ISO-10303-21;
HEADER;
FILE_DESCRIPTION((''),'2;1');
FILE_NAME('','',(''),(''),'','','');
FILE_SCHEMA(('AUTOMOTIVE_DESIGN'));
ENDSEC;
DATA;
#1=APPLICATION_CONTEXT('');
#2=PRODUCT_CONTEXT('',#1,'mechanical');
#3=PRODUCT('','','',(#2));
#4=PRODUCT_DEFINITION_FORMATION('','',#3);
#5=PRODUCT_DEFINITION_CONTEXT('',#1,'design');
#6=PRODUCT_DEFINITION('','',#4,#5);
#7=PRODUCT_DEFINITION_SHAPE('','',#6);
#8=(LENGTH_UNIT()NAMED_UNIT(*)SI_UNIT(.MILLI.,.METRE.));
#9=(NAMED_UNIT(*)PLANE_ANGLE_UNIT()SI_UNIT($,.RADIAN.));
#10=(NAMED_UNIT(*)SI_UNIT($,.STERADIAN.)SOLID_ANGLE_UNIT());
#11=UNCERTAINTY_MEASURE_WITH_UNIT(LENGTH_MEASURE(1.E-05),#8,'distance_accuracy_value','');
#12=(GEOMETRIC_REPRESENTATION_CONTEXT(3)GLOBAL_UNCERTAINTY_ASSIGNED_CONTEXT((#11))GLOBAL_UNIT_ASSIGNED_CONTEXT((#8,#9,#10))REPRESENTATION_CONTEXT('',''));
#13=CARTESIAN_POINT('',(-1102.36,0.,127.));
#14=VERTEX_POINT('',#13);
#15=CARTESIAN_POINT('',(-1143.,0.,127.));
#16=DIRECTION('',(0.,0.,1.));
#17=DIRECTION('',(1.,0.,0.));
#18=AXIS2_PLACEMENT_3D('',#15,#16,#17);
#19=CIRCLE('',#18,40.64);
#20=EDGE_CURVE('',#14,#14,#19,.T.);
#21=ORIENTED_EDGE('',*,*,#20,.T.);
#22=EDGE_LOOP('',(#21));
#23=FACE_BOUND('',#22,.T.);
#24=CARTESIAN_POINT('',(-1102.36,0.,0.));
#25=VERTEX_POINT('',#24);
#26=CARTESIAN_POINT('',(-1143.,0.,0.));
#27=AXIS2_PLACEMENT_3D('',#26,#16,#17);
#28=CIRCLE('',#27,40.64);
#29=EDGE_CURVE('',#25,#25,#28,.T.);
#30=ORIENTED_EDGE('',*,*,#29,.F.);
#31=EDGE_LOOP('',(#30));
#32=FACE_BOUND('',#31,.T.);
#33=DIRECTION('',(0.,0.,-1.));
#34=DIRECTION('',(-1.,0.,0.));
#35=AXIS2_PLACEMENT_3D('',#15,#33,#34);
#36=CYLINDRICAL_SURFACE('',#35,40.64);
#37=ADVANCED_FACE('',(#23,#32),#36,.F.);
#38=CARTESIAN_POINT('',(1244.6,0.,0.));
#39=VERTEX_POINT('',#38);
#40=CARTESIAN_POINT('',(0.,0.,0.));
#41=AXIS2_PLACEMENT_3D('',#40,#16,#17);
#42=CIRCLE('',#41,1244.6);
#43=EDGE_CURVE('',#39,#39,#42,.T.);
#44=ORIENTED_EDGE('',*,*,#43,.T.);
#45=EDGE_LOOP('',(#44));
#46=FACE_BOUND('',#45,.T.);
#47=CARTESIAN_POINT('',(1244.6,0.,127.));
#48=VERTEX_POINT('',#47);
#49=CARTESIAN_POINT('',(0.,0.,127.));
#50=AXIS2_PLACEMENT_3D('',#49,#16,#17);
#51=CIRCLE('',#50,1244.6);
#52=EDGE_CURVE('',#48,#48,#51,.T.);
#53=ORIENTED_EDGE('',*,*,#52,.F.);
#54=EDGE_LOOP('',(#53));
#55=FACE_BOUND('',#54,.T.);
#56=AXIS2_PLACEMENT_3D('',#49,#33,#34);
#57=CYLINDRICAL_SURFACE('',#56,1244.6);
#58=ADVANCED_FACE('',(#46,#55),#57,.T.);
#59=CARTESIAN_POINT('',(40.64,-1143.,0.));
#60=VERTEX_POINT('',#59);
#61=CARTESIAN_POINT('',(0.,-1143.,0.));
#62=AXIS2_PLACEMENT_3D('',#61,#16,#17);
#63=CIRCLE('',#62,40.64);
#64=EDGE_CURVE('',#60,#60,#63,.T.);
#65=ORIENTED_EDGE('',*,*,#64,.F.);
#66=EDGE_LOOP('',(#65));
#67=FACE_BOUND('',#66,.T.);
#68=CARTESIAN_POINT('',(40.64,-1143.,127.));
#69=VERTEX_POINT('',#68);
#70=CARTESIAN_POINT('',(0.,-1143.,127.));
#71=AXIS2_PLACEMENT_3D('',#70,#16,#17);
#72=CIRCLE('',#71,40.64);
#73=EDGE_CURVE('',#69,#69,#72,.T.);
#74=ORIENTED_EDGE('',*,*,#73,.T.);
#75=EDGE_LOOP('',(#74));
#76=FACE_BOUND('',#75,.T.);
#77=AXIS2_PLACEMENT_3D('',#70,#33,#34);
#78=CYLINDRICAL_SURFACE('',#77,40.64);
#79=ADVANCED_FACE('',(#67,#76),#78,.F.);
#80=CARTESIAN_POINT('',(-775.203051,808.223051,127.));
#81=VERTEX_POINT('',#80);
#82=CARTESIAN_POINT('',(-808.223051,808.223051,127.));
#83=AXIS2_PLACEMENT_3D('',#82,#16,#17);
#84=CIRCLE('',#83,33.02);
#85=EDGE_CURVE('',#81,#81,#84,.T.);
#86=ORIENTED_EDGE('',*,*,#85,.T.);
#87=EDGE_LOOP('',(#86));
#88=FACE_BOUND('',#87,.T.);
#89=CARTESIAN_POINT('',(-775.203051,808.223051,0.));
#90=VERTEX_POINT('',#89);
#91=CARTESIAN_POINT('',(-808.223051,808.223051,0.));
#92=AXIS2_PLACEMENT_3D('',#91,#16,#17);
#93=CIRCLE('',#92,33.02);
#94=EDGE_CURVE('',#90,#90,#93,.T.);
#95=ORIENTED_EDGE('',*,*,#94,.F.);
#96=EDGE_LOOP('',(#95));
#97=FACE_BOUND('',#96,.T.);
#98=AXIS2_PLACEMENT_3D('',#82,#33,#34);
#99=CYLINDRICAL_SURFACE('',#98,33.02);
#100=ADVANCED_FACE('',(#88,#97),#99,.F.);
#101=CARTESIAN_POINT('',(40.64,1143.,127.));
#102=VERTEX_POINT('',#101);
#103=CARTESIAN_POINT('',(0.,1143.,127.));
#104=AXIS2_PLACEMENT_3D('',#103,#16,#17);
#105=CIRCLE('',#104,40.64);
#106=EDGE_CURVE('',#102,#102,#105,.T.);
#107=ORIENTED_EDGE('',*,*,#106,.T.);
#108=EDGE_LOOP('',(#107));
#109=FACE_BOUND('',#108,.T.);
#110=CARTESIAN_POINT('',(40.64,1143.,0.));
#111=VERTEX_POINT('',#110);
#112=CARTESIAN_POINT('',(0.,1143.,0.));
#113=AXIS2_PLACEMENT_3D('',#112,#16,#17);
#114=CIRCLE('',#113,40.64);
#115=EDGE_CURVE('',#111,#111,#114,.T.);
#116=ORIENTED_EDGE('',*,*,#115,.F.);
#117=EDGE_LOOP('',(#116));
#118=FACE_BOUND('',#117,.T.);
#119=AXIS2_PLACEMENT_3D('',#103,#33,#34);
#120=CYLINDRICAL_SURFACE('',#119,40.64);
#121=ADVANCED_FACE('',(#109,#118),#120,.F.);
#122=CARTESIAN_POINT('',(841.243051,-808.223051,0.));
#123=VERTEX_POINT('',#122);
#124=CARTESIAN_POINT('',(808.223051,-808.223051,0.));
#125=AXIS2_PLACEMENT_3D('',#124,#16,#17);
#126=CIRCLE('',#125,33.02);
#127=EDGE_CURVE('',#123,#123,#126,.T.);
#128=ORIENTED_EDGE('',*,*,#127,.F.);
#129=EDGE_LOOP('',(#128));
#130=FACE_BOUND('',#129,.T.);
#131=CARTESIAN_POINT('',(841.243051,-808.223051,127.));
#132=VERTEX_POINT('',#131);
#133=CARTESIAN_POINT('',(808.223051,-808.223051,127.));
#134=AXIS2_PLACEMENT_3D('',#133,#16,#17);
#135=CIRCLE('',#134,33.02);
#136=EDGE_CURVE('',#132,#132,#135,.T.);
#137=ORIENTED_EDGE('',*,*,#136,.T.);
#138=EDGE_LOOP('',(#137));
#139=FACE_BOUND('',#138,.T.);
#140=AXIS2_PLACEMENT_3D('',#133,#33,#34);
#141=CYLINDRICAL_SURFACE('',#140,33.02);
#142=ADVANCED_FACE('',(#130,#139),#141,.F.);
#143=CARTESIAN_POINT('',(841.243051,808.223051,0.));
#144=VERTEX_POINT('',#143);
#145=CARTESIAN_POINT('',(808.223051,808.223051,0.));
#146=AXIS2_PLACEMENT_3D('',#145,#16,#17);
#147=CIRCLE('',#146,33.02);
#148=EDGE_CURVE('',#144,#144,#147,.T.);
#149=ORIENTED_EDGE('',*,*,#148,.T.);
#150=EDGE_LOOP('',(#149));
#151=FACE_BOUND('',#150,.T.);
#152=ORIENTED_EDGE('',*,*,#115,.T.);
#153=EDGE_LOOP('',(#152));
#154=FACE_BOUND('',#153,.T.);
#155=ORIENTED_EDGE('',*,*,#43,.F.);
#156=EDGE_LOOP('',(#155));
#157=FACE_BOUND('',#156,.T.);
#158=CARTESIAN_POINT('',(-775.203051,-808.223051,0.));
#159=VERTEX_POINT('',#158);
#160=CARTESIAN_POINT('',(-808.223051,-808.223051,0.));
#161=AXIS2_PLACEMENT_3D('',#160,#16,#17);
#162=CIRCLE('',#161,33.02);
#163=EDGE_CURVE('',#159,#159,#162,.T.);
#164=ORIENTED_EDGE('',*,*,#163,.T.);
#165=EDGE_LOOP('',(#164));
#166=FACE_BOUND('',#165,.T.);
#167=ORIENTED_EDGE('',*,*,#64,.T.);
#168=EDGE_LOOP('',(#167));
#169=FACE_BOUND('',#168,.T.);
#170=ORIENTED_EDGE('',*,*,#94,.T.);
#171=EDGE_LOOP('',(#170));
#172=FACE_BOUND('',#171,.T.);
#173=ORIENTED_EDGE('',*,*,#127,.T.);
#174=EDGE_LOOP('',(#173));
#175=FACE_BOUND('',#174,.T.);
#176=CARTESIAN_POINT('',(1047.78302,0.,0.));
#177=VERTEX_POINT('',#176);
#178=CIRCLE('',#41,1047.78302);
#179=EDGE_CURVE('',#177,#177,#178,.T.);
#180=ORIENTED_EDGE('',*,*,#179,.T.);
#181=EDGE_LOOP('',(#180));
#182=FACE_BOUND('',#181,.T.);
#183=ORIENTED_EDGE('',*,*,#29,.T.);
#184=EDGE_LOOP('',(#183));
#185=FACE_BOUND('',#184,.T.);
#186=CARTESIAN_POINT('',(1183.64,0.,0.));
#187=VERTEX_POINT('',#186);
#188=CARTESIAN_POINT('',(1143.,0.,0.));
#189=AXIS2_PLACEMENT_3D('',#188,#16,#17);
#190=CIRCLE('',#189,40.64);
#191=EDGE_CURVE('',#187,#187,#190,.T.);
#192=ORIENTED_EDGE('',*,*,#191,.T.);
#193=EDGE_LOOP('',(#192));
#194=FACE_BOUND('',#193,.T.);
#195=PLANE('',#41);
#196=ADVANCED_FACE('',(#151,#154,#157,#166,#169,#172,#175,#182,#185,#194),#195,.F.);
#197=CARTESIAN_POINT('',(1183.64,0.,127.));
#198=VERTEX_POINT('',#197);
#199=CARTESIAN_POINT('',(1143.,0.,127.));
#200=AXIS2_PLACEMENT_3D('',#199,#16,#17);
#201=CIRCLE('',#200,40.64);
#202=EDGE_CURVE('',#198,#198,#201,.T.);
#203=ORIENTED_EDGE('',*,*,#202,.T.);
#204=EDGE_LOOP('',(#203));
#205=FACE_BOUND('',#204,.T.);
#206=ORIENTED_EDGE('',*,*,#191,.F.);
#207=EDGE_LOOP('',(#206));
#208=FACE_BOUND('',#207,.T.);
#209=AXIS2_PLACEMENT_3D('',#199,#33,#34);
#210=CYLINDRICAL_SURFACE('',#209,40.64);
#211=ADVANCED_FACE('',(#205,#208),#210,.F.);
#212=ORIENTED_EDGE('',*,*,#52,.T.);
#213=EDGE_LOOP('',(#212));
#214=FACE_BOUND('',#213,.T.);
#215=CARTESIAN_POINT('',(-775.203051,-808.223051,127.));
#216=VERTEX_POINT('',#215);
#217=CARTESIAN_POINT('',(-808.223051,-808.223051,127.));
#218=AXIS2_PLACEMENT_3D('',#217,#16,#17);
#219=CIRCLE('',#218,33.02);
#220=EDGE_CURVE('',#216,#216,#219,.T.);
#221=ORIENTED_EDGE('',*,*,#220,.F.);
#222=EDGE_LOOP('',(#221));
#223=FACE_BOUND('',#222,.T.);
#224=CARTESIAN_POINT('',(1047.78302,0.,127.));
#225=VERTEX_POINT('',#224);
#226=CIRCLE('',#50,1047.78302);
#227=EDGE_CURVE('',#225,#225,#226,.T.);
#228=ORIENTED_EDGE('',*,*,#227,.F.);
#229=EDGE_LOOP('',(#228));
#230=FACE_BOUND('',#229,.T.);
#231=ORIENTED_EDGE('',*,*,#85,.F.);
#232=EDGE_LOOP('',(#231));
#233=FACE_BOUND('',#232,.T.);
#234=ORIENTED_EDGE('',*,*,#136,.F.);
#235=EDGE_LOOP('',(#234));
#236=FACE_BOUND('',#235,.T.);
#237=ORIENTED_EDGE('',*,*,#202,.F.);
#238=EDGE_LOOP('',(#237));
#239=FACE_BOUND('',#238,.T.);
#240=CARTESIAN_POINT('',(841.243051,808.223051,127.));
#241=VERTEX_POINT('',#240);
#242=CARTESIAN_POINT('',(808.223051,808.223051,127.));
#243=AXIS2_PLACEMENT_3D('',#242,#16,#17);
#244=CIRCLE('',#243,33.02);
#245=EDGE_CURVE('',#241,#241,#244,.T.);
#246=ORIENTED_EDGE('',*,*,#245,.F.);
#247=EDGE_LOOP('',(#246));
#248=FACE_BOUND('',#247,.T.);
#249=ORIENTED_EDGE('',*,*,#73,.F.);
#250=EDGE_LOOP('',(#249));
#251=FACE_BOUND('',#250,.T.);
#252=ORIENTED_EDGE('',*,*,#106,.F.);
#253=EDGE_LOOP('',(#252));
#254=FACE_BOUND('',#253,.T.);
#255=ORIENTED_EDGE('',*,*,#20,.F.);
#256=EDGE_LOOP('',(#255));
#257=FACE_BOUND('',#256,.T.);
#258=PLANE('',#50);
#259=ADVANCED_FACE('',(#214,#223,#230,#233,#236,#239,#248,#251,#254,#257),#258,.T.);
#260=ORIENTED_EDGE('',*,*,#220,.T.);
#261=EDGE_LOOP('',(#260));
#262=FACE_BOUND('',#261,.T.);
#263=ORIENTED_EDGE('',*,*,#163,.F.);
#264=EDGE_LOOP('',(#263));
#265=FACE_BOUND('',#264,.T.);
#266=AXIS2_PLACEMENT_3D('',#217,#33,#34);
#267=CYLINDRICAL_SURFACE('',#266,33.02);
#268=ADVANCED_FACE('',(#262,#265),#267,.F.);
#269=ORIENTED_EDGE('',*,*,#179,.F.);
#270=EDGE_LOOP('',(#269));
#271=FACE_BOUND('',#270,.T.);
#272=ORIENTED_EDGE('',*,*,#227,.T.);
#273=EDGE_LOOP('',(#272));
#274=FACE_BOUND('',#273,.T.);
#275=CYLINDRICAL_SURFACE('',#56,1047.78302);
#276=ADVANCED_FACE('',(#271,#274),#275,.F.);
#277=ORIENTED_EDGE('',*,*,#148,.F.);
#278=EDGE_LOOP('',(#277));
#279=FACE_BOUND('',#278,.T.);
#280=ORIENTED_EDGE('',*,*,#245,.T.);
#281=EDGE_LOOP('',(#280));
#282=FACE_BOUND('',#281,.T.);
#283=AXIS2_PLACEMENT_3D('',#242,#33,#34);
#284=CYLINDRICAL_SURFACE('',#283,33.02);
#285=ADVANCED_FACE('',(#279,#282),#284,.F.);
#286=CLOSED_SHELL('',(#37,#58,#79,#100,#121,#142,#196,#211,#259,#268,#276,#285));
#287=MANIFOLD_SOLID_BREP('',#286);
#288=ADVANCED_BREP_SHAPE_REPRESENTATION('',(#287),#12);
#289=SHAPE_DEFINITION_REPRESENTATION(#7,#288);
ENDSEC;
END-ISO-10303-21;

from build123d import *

# Parameters (mm, degrees)
SKETCH1_R           = 1244.6
SKETCH1_R_2         = 1047.78302
SKETCH1_R_3         = 40.64
SKETCH1_R_4         = 33.02
BOSS_EXTRUDE2_DEPTH = 127


with BuildPart() as part:
    # Sketch1 → Boss-Extrude2 (new body)
    with BuildSketch(Plane.XY):
        Circle(SKETCH1_R)
        Circle(SKETCH1_R_2, mode=Mode.SUBTRACT)
        with Locations((0, 1143)):
            Circle(SKETCH1_R_3, mode=Mode.SUBTRACT)
        with Locations((808.223050896, 808.223050896)):
            Circle(SKETCH1_R_4, mode=Mode.SUBTRACT)
        with Locations((1143, 0)):
            Circle(SKETCH1_R_3, mode=Mode.SUBTRACT)
        with Locations((808.223050896, -808.223050896)):
            Circle(SKETCH1_R_4, mode=Mode.SUBTRACT)
        with Locations((0, -1143)):
            Circle(SKETCH1_R_3, mode=Mode.SUBTRACT)
        with Locations((-808.223050896, -808.223050896)):
            Circle(SKETCH1_R_4, mode=Mode.SUBTRACT)
        with Locations((-1143, 0)):
            Circle(SKETCH1_R_3, mode=Mode.SUBTRACT)
        with Locations((-808.223050896, 808.223050896)):
            Circle(SKETCH1_R_4, mode=Mode.SUBTRACT)
    extrude(amount=BOSS_EXTRUDE2_DEPTH)


solid = part.part
